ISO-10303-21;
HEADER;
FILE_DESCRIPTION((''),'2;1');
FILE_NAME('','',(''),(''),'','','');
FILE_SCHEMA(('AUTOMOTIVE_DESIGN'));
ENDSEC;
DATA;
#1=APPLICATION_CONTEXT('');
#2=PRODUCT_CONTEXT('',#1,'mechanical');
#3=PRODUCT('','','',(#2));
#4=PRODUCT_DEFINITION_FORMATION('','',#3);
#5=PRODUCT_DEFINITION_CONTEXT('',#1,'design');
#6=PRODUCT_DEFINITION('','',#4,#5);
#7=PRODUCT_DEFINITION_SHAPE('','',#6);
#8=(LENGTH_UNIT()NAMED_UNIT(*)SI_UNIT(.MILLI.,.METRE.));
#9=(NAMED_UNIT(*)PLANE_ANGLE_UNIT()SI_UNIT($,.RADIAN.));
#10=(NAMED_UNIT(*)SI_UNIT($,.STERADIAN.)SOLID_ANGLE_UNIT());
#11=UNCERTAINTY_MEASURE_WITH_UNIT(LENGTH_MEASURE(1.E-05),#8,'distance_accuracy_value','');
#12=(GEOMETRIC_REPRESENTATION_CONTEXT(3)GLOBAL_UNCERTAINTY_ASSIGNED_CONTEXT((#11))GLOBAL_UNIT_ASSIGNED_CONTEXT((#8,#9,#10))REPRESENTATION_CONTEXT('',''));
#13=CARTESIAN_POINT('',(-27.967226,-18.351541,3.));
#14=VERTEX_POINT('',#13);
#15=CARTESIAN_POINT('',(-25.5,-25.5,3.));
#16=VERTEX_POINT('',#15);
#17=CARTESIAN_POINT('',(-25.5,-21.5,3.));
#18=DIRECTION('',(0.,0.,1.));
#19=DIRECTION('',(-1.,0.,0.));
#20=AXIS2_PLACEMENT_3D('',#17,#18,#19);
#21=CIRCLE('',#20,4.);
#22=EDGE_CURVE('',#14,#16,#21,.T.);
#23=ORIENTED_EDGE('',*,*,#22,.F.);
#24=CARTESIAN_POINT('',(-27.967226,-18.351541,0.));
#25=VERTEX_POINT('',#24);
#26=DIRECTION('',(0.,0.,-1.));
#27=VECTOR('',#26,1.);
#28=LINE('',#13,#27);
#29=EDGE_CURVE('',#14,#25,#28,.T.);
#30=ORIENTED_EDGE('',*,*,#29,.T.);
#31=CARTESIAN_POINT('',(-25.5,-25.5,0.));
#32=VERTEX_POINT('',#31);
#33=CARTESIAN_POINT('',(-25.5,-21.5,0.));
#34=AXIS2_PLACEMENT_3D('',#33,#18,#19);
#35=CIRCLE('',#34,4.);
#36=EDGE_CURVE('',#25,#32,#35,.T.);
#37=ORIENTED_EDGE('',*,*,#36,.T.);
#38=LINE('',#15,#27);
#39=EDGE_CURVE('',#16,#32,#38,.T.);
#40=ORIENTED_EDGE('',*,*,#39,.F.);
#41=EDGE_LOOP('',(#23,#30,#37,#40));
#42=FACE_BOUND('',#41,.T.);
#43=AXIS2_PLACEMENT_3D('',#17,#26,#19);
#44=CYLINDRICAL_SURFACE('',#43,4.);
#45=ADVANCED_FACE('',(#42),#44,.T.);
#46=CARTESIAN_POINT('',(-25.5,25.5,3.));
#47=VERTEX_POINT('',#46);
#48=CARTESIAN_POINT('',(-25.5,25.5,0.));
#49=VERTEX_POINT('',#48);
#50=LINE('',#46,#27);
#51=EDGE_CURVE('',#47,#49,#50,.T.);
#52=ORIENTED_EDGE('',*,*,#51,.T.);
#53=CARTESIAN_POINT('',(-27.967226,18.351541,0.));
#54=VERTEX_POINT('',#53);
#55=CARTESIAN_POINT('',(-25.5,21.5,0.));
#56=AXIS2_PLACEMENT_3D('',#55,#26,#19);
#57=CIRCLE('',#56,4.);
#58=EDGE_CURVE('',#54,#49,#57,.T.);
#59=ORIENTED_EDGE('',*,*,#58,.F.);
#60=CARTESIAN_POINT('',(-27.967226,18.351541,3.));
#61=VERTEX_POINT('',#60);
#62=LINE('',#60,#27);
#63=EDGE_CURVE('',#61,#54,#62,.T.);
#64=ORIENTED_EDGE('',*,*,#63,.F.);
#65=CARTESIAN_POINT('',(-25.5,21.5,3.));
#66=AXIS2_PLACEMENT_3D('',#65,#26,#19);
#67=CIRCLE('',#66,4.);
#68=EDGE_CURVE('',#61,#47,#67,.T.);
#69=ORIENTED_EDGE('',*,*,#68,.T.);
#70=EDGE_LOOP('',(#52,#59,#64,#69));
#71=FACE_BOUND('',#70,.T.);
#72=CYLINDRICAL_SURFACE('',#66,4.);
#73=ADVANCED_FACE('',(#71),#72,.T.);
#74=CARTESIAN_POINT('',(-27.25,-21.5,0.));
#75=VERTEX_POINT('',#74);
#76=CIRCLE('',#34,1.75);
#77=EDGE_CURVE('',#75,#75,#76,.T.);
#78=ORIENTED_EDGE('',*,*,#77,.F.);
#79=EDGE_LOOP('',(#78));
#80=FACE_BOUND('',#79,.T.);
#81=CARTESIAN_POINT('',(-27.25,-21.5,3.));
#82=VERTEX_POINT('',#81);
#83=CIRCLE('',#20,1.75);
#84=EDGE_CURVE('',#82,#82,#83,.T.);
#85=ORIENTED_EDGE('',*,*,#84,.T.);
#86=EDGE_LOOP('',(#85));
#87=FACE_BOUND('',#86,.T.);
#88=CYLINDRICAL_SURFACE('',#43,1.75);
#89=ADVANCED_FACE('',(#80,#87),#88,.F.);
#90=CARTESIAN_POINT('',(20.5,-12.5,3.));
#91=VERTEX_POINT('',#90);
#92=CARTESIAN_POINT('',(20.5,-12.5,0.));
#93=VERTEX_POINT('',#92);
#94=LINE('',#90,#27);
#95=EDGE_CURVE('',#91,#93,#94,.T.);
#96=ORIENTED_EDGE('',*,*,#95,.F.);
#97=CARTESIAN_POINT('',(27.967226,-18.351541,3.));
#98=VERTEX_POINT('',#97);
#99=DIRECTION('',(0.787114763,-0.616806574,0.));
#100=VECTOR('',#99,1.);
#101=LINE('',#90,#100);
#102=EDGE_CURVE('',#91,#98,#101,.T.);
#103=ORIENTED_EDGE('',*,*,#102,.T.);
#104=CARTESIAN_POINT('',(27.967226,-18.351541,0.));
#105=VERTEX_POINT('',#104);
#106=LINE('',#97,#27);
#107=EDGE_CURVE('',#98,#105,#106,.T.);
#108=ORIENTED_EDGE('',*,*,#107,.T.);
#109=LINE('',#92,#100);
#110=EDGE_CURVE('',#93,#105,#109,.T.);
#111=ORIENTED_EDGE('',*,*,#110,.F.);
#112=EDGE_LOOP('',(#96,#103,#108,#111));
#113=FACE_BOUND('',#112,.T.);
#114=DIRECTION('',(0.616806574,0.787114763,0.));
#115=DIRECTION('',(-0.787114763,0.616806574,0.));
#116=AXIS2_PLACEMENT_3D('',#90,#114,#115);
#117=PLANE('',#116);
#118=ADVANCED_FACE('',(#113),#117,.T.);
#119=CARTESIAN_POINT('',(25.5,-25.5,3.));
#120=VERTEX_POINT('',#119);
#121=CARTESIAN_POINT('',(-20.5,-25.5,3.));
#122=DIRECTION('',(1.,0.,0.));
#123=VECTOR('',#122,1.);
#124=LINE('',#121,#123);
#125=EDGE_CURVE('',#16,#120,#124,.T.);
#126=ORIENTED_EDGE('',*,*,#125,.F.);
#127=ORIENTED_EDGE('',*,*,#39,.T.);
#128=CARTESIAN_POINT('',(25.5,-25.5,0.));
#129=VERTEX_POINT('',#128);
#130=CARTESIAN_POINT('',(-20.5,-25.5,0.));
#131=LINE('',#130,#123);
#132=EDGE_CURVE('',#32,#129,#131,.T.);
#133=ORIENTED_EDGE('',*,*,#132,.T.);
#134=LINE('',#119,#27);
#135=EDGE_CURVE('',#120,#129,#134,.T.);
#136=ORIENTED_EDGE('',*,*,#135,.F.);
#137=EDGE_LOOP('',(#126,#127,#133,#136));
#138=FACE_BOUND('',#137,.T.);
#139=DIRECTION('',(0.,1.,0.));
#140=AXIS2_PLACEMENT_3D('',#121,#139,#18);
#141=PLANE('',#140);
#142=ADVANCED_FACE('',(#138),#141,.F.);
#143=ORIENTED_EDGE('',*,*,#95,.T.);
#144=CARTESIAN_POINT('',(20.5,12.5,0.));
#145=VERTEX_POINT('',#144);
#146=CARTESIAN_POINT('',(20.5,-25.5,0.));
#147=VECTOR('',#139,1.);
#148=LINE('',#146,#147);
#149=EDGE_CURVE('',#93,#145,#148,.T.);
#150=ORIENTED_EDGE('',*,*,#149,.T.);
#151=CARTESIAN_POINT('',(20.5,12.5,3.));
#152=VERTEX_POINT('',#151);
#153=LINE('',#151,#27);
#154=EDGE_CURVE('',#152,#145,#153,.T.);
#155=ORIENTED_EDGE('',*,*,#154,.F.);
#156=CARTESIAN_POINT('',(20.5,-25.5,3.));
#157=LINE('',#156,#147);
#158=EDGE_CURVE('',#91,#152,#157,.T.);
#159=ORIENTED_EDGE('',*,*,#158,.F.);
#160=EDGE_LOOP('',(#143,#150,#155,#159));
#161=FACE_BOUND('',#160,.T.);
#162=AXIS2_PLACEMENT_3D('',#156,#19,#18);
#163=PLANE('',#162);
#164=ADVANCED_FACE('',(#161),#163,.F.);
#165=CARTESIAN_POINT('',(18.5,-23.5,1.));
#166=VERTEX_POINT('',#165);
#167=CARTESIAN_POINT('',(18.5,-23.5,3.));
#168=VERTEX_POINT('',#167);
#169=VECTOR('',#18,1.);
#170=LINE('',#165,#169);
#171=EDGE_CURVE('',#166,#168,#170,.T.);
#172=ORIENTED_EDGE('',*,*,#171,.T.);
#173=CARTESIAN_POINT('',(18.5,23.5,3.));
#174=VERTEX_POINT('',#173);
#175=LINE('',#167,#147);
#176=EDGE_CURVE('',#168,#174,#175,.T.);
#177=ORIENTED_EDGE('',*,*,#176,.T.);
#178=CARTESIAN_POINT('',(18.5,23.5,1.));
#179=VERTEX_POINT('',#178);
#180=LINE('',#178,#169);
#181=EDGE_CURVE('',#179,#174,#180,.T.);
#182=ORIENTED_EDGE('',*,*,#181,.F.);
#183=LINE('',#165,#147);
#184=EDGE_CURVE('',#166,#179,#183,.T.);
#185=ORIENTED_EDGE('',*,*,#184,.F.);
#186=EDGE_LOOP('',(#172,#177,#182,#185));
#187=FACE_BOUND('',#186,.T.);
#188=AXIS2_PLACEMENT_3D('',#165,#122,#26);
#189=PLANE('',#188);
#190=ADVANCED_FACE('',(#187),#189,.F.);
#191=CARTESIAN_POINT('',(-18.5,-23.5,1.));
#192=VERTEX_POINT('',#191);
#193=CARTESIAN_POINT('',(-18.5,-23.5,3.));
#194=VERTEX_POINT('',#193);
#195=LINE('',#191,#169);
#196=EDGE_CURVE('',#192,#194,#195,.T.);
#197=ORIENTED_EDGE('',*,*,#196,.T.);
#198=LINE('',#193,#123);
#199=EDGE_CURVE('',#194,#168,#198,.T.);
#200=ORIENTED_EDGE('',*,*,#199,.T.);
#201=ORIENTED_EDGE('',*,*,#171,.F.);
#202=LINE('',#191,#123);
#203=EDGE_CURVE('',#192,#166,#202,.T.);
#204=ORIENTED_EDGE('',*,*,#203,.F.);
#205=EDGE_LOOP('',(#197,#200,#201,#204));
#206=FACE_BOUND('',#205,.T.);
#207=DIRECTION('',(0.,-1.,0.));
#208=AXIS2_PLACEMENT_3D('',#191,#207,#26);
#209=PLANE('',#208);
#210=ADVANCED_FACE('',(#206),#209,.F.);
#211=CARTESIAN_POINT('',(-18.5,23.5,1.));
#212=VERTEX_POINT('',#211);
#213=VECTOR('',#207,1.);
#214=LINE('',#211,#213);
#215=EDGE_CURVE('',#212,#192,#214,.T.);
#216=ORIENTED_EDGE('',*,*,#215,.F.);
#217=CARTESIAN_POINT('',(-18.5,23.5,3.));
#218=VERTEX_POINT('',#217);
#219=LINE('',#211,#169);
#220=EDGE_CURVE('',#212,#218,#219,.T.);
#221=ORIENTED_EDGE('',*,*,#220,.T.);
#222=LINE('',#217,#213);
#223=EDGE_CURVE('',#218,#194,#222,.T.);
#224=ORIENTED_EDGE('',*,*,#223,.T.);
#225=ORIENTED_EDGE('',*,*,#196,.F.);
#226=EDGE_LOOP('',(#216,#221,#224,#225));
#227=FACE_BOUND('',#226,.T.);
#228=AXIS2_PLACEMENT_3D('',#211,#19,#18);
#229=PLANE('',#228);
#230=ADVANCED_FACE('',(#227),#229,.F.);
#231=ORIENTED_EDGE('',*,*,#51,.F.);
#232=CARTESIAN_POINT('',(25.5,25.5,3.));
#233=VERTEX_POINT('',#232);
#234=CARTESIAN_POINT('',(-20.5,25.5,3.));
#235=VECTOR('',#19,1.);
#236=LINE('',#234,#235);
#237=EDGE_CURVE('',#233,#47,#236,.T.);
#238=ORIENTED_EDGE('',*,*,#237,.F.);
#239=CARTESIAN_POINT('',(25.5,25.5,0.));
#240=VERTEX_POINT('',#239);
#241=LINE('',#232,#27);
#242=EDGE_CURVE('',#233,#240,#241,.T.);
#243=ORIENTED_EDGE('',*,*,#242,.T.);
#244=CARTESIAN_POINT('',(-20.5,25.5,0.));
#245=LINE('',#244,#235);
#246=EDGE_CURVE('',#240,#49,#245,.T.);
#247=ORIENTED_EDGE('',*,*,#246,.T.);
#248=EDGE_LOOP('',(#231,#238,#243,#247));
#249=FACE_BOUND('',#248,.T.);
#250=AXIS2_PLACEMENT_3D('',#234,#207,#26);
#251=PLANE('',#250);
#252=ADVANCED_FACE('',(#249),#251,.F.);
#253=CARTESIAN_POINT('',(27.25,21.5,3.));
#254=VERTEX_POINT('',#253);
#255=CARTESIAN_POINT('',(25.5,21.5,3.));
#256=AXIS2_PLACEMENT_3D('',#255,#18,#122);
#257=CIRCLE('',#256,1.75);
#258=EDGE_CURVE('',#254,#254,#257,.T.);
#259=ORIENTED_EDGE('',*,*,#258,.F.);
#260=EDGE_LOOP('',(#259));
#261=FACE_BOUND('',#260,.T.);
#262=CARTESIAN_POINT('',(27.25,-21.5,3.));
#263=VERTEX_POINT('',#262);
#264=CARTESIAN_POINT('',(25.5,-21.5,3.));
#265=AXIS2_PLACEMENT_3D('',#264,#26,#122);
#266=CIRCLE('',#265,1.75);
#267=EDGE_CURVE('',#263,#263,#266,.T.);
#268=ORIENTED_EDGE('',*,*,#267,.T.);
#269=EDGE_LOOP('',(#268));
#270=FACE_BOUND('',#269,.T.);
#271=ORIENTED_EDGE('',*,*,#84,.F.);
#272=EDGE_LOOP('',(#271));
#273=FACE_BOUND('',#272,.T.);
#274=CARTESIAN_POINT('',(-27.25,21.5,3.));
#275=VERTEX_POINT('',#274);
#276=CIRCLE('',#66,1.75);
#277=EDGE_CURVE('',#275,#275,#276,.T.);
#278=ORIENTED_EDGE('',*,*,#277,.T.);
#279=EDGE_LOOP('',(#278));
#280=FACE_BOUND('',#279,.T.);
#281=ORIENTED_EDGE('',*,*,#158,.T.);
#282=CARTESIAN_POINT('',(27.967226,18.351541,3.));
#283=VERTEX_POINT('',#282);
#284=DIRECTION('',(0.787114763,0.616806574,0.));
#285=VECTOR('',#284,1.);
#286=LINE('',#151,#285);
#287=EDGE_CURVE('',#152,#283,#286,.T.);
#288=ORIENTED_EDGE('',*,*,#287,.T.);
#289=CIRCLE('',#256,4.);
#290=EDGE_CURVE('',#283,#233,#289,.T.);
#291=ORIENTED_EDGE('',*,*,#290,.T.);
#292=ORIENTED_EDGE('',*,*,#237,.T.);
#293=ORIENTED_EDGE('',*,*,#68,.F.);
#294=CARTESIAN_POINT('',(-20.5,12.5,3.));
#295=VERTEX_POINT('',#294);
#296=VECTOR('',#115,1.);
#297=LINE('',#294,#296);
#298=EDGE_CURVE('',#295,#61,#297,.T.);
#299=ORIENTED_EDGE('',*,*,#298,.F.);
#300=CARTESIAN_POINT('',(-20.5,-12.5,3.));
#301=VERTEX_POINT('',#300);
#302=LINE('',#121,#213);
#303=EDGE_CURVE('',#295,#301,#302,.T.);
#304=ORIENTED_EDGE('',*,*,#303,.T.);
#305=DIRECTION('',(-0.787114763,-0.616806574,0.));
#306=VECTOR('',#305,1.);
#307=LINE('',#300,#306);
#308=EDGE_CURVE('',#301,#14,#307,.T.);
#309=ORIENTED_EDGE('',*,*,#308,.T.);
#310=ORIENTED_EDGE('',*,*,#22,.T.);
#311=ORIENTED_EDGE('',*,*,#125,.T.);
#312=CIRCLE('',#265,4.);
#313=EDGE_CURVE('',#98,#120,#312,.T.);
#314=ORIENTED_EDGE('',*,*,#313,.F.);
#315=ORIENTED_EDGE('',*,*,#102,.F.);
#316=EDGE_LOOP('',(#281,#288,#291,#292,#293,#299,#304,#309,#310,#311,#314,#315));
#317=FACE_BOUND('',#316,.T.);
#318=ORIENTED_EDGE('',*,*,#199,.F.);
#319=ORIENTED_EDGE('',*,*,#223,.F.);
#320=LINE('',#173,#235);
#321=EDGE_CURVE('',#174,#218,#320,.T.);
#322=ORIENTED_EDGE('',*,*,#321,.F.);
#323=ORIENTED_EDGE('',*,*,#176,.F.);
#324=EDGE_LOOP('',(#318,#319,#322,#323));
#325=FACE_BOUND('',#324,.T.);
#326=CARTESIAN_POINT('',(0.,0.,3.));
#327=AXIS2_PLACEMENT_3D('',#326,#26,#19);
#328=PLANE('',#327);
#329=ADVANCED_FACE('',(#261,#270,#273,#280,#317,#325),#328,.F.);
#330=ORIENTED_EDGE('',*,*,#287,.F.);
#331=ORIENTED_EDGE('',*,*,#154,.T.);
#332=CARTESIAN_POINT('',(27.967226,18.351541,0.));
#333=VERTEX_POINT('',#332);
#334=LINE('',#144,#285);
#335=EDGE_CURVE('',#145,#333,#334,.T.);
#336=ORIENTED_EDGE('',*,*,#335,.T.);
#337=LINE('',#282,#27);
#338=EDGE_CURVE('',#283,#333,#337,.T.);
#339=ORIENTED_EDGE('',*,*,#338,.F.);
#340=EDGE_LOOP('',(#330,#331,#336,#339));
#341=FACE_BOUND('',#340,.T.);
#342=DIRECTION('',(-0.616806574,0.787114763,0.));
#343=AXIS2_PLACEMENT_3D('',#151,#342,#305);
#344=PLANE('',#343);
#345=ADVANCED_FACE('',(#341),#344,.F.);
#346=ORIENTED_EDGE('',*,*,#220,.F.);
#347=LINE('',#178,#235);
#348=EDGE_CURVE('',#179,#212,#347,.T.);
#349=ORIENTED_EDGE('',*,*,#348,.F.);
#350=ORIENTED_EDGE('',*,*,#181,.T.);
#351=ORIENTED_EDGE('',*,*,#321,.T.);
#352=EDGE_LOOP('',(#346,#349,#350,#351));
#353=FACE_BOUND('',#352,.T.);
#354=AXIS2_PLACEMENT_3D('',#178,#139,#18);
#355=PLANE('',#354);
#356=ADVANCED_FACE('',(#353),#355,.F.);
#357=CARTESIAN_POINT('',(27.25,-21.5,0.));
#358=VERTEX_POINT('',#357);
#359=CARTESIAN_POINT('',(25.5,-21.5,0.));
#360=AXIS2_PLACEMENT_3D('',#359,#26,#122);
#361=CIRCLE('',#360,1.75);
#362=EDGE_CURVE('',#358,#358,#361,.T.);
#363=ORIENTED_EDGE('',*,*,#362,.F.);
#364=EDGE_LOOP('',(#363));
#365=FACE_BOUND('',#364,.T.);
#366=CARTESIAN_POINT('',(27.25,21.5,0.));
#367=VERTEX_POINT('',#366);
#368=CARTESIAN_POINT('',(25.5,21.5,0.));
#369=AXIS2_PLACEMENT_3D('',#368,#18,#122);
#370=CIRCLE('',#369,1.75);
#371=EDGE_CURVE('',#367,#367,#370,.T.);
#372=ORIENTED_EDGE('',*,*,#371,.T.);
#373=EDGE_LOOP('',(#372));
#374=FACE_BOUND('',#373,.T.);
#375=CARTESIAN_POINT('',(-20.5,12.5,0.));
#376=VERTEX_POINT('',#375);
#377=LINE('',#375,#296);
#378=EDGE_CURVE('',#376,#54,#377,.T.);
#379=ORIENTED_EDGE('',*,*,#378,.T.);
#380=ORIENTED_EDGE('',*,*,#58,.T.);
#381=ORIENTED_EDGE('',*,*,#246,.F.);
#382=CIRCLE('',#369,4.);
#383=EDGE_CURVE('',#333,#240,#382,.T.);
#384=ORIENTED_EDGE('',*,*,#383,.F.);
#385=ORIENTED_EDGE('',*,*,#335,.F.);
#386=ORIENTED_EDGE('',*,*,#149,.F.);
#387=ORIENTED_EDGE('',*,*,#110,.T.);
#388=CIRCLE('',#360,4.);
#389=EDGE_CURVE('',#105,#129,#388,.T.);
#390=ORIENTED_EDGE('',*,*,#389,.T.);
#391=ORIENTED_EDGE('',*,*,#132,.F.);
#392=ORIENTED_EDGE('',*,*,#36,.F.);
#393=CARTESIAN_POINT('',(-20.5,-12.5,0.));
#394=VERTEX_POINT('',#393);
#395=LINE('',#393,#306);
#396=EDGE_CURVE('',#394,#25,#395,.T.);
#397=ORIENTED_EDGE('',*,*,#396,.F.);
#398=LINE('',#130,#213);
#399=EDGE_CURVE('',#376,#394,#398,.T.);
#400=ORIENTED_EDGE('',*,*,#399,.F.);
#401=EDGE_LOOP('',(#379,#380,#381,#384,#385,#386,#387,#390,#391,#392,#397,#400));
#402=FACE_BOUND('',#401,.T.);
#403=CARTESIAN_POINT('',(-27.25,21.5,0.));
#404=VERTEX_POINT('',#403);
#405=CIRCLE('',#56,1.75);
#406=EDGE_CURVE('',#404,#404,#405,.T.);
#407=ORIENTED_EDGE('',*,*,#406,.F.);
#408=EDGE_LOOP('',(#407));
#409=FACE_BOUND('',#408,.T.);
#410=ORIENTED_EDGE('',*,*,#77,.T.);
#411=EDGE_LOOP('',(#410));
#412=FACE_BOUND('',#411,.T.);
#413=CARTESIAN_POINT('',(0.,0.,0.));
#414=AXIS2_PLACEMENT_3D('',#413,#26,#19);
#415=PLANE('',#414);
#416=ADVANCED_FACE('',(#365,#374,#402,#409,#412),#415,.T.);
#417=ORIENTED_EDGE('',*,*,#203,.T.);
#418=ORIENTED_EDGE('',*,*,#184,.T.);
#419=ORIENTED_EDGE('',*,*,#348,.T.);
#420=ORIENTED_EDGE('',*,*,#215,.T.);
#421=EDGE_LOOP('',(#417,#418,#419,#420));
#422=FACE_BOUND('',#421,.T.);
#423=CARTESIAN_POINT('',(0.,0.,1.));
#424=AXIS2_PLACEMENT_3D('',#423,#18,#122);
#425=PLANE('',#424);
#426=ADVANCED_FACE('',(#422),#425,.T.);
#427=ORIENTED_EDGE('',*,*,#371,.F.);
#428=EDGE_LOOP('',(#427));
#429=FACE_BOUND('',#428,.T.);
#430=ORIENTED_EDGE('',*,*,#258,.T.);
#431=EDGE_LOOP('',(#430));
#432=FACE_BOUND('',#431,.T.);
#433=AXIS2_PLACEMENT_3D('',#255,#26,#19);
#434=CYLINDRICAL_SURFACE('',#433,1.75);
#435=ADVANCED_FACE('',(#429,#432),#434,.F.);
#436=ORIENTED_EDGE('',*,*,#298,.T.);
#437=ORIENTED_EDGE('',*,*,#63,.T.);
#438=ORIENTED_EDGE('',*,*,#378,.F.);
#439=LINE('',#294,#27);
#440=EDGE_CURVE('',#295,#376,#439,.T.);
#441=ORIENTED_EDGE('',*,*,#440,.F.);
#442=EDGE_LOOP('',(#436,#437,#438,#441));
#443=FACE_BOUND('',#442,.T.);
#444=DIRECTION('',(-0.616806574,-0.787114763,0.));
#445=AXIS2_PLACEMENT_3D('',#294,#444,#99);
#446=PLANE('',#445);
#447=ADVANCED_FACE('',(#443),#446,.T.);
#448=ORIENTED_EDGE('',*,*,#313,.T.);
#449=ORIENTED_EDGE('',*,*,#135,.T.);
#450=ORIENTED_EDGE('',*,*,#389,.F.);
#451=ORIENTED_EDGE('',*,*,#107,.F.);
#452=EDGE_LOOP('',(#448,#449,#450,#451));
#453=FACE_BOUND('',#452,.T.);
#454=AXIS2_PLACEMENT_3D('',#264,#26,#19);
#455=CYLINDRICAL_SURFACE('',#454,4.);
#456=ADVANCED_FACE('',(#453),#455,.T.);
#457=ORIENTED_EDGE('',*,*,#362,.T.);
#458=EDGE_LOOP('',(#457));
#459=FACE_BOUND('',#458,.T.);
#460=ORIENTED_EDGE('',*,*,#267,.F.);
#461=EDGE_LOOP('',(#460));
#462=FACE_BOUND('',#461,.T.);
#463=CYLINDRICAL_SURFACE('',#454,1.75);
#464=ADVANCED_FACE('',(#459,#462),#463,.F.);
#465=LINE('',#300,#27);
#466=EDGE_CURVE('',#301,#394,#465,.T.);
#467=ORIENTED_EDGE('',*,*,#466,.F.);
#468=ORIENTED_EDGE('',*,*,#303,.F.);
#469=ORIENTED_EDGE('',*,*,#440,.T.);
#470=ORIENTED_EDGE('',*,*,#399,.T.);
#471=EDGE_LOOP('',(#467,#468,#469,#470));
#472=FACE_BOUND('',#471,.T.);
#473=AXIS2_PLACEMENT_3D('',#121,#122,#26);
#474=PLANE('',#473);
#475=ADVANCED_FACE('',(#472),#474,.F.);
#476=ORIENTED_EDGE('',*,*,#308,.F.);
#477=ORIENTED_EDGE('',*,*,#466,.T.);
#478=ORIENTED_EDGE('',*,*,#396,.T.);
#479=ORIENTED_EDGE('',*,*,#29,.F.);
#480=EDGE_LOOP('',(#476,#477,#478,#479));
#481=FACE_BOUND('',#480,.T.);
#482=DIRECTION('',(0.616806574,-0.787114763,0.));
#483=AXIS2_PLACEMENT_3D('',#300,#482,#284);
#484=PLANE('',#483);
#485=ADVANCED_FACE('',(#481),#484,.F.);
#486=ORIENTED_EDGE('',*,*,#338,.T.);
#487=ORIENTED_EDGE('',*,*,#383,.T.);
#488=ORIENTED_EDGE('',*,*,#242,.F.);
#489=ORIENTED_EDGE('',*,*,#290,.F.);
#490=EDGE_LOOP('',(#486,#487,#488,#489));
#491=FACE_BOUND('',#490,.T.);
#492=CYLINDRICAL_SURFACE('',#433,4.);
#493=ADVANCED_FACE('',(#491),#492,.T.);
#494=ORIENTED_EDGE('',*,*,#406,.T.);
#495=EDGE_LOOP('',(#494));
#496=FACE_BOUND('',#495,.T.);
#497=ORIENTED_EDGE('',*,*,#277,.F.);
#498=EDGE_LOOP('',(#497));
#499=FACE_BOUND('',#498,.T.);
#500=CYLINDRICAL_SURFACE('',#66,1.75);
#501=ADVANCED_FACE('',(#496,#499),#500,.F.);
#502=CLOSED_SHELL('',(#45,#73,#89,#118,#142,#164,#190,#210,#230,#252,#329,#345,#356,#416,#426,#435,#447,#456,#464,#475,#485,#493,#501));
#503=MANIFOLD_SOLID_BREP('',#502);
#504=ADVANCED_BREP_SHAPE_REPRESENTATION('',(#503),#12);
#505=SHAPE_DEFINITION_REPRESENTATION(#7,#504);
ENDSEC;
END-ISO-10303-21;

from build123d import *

# Parameters (mm, degrees)
SKETCH1_W                                  = 41
SKETCH1_H                                  = 51
BOSS_EXTRUDE1_DEPTH                        = 3
SKETCH2_W                                  = 37
SKETCH2_H                                  = 47
CUT_EXTRUDE1_DEPTH                         = 2
SKETCH4_R                                  = 1.75
BOSS_EXTRUDE2_DEPTH                        = 3
MIRROR1_AT_THE_SECOND_PLANE_COPY_1_SKETC_R = 1.75
MIRROR1_AT_THE_SECOND_PLANE_COPY_1_DEPTH   = 3


with BuildPart() as part:
    # Sketch1 → Boss-Extrude1 (new body)
    with BuildSketch(Plane.XY):
        Rectangle(SKETCH1_W, SKETCH1_H)
    extrude(amount=BOSS_EXTRUDE1_DEPTH)

    # Sketch2 → Cut-Extrude1 (cut)
    with BuildSketch(Plane.XY.offset(3)):
        Rectangle(SKETCH2_W, SKETCH2_H)
    extrude(amount=-CUT_EXTRUDE1_DEPTH, mode=Mode.SUBTRACT)

    # Sketch4 → Boss-Extrude2 (add)
    with BuildSketch(Plane.XY):
        with BuildLine():
            Line((25.5, 25.5), (20.5, 25.5))
            Line((20.5, 25.5), (20.5, 12.5))
            Line((20.5, 12.5), (27.967226295, 18.351540947))
            ThreePointArc((27.967226295, 18.351540947), (29.281126566, 22.805021798), (25.5, 25.5))
        make_face()
        with Locations((25.5, 21.5)):
            Circle(SKETCH4_R, mode=Mode.SUBTRACT)
    boss_extrude2 = extrude(amount=BOSS_EXTRUDE2_DEPTH)

    # Mirror1: Boss-Extrude2 across plane
    add(boss_extrude2.mirror(Plane(origin=(0, 0, 0), x_dir=(0, 0, 1), z_dir=(1, 0, 0))))

    # Mirror1 at the second plane: Boss-Extrude2 across plane
    add(boss_extrude2.mirror(Plane.ZX))

    # Mirror1 at the second plane copy 1 sketc → Mirror1 at the second plane copy 1 (add)
    with BuildSketch(Plane(origin=(0, 0, 0), x_dir=(-1, 0, 0), z_dir=(0, 0, 1))):
        with BuildLine():
            Line((25.5, 25.5), (20.5, 25.5))
            Line((20.5, 25.5), (20.5, 12.5))
            Line((20.5, 12.5), (27.967226295, 18.351540947))
            ThreePointArc((27.967226295, 18.351540947), (29.281126566, 22.805021798), (25.5, 25.5))
        make_face()
        with Locations((25.5, 21.5)):
            Circle(MIRROR1_AT_THE_SECOND_PLANE_COPY_1_SKETC_R, mode=Mode.SUBTRACT)
    extrude(amount=MIRROR1_AT_THE_SECOND_PLANE_COPY_1_DEPTH)


solid = part.part
